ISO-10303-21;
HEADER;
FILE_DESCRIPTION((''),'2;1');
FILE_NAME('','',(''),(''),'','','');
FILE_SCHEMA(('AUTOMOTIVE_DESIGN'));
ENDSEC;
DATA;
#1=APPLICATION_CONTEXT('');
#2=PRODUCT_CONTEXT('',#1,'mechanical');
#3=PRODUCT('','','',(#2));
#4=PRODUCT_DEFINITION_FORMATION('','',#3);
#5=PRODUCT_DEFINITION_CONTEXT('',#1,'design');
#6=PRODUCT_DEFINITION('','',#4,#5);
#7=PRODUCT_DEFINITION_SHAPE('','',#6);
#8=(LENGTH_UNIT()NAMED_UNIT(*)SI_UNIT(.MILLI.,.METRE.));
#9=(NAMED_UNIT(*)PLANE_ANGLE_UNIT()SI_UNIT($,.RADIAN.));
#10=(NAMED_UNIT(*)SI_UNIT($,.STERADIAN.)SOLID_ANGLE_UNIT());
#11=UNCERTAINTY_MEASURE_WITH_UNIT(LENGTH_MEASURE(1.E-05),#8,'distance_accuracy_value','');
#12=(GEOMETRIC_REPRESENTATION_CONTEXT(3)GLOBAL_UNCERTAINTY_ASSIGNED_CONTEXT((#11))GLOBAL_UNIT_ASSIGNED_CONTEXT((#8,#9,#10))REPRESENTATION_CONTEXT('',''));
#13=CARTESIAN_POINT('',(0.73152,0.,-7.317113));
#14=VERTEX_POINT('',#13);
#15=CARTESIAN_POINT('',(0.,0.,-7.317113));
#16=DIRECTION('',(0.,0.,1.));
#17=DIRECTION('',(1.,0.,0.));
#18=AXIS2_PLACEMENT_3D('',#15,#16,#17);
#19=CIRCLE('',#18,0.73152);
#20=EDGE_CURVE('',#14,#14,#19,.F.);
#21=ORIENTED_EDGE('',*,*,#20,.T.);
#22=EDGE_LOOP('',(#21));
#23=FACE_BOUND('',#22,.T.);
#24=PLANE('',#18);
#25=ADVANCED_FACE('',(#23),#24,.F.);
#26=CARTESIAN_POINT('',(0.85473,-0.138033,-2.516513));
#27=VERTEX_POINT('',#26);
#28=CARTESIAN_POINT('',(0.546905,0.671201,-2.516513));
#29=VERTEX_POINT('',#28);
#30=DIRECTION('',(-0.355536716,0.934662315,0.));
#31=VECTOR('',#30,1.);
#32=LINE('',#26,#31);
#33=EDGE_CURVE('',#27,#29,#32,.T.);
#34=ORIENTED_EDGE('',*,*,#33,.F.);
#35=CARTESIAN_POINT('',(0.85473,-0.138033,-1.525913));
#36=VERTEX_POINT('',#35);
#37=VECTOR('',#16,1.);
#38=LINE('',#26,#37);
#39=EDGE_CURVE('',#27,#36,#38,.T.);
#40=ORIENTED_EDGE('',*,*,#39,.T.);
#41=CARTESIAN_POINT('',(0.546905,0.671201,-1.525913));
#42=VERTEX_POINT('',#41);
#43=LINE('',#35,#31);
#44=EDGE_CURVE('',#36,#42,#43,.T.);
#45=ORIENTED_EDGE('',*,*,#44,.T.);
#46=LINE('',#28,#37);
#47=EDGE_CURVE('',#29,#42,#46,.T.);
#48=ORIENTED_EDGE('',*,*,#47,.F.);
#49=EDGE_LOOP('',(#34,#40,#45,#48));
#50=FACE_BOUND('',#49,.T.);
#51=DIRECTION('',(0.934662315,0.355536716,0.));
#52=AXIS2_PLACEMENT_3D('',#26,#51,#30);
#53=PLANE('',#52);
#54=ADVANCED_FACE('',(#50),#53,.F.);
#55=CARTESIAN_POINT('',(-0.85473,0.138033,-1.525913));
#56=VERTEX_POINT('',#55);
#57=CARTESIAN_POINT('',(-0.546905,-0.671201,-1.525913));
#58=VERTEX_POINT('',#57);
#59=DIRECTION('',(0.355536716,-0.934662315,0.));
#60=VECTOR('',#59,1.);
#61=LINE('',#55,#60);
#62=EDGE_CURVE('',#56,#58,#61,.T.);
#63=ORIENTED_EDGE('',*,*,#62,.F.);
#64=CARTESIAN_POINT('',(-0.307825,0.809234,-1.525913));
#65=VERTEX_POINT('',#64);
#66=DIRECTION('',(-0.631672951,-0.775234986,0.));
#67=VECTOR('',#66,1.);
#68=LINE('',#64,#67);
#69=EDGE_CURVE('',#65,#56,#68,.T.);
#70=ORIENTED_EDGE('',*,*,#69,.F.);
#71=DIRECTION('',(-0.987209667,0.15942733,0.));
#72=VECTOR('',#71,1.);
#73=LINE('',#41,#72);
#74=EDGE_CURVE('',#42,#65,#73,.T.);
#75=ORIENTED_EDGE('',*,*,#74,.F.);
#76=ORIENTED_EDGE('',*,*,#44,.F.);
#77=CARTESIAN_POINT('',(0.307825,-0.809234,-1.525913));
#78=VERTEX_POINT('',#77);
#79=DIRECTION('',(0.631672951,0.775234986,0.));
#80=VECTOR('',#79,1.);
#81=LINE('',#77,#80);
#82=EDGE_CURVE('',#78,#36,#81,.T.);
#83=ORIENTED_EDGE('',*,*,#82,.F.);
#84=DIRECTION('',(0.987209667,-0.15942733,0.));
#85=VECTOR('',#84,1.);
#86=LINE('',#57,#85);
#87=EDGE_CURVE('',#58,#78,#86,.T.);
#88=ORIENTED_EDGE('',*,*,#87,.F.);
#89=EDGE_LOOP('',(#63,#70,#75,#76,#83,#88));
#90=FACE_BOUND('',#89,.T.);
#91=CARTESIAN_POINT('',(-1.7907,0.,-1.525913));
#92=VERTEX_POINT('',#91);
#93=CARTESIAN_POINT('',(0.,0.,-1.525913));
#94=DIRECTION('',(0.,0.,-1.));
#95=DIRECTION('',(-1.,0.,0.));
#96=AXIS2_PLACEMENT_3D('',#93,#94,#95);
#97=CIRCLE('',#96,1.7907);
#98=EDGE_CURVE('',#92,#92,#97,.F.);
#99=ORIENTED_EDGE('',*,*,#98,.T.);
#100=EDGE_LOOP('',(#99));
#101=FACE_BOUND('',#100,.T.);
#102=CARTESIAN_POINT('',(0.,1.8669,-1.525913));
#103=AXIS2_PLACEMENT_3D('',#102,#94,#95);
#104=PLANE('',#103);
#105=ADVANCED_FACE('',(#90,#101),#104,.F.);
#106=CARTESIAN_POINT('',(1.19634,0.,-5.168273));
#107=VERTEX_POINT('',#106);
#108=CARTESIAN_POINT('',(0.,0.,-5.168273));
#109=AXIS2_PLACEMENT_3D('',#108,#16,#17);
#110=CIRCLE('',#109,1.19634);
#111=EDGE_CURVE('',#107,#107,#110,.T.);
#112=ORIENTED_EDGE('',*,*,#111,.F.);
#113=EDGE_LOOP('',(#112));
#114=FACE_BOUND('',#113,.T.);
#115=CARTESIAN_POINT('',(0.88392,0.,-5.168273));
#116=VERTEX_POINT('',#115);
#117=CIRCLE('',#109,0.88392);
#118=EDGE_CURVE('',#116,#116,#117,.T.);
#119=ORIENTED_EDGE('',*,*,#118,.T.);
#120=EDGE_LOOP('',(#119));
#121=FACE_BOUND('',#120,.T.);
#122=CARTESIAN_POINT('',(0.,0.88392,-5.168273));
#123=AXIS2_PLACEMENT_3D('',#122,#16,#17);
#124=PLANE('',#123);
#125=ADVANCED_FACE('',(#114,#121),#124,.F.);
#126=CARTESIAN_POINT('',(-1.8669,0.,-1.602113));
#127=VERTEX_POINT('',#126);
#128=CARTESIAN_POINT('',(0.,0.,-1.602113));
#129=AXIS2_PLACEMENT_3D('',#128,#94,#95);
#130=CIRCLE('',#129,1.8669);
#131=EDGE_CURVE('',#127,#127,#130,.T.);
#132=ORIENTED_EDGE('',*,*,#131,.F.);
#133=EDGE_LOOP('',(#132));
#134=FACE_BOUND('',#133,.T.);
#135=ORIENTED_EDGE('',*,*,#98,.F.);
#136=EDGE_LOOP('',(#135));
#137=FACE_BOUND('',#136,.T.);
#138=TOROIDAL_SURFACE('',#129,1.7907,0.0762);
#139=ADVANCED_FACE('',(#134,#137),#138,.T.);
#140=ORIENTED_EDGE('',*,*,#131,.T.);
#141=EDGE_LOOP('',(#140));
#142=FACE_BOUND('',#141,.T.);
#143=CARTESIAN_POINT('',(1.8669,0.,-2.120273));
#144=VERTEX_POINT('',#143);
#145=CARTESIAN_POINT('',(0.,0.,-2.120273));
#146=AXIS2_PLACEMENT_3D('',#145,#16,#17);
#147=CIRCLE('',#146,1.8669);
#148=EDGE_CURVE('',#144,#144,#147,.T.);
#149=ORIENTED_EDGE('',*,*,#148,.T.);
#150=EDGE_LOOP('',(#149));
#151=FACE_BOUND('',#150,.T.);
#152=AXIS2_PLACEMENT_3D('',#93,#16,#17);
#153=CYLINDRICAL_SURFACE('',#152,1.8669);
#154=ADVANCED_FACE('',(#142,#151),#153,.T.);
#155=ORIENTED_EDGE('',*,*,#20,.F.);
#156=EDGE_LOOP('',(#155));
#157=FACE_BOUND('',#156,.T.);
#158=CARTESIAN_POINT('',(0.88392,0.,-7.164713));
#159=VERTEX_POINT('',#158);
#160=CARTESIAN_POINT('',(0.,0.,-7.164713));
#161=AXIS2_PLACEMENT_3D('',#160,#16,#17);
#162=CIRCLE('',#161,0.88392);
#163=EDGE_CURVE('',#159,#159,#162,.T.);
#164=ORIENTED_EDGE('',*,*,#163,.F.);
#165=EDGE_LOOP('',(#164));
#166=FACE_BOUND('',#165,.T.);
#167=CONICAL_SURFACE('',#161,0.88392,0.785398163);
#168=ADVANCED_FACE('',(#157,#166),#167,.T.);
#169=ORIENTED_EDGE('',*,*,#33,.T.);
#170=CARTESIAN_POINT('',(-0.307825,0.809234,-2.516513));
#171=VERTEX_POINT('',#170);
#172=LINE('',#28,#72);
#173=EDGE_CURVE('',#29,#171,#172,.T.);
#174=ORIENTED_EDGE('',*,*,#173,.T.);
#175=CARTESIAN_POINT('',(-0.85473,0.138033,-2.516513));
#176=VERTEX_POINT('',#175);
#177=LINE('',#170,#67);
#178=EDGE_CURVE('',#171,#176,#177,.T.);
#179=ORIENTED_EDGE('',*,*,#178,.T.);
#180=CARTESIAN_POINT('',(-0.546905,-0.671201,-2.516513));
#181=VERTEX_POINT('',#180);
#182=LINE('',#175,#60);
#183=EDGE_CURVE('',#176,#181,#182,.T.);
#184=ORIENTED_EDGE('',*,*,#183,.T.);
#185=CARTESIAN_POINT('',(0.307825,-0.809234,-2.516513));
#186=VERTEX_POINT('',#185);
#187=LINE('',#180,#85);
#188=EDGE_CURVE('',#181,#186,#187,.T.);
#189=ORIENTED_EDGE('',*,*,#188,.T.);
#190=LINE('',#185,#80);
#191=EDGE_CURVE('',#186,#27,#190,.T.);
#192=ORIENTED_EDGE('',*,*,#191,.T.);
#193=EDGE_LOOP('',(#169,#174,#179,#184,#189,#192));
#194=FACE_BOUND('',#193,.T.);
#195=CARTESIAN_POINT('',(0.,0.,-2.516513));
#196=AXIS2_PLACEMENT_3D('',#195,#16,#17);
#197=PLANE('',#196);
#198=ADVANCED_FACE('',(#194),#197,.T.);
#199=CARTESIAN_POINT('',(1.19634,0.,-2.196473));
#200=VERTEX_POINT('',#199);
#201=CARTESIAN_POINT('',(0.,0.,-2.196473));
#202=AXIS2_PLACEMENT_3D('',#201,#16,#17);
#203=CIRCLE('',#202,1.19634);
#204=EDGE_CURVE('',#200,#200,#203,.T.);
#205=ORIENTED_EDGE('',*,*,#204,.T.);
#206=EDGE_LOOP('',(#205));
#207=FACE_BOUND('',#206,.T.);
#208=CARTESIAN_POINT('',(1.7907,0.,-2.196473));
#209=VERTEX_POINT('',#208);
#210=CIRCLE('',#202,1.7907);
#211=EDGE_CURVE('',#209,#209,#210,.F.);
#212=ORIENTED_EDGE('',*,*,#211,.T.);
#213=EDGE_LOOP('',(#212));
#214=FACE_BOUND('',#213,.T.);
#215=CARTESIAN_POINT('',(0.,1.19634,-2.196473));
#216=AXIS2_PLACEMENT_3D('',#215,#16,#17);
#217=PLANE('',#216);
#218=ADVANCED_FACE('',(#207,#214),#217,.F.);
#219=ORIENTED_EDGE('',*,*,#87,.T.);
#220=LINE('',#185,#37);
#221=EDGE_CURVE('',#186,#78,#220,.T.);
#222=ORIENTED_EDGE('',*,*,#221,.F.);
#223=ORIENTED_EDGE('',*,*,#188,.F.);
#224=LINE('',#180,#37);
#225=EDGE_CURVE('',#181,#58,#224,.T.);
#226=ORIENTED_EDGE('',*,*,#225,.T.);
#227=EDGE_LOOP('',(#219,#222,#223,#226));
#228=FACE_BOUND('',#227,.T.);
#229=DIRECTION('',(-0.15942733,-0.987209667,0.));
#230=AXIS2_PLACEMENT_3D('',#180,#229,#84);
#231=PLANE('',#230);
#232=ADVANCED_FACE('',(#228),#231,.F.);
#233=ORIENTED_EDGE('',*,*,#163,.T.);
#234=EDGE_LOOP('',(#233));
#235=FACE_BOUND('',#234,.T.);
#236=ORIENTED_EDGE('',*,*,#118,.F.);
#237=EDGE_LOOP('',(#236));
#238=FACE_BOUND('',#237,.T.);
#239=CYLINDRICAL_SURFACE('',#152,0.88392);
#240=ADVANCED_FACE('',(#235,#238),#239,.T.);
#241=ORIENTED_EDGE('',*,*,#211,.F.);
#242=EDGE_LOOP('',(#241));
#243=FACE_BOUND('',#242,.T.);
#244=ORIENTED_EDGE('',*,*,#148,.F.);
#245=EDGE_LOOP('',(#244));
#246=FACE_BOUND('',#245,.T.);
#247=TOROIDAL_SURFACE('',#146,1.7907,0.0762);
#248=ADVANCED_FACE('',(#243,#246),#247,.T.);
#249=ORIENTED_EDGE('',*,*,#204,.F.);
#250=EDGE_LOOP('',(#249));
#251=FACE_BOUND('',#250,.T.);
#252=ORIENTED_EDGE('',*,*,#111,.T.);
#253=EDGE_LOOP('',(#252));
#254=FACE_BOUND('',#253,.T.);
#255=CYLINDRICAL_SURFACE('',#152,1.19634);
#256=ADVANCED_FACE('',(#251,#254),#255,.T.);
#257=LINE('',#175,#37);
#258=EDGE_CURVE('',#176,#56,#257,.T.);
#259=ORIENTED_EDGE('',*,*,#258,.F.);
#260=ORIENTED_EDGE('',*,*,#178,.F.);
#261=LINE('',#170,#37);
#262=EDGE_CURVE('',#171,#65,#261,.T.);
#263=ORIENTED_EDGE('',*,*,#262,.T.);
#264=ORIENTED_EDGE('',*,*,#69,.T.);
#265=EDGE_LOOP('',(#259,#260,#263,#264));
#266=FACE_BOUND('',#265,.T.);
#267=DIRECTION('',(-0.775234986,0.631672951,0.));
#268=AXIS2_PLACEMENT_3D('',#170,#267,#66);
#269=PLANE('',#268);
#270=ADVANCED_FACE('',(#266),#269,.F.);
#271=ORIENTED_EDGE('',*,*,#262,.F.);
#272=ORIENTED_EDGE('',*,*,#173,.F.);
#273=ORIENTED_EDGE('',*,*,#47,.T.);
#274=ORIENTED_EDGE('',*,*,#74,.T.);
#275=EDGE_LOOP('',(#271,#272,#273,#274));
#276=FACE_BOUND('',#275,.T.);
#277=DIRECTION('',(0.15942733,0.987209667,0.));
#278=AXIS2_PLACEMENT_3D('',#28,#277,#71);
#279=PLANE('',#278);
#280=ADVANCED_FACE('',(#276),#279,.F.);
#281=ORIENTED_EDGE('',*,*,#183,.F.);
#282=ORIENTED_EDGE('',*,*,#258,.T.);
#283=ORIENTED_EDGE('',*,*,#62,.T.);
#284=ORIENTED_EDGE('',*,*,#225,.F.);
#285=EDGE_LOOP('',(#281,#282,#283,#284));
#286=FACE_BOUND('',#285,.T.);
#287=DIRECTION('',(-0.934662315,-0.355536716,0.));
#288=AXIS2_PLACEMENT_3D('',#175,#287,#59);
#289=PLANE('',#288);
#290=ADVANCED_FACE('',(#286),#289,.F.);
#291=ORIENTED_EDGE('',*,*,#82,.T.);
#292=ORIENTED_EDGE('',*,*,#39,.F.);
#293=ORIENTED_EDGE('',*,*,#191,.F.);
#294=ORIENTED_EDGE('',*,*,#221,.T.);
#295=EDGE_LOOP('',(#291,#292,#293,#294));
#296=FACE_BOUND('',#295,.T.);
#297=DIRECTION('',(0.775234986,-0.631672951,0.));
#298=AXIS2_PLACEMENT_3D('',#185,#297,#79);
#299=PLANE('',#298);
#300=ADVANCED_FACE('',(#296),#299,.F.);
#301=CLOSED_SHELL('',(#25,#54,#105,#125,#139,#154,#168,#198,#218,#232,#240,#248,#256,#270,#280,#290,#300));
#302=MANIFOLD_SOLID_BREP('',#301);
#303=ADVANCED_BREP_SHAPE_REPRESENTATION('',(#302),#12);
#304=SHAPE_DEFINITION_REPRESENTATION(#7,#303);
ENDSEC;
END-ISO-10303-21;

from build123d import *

# Parameters (mm, degrees)
CUT_EXTRUDE1_DEPTH = 1.651
FILLET1_R          = 0.127
CHAMFER1_SIZE      = 0.254
SCALE1_SCALE       = 0.6


with BuildPart() as part:
    # Sketch1 → Revolve1 (revolve)
    with BuildSketch(Plane(origin=(0, 0, 0), x_dir=(0, 0, -1), z_dir=(1, 0, 0)), mode=Mode.PRIVATE) as revolve1_sk:
        Polygon((0, 0), (9.652, 0), (9.652, 1.4732), (6.0706, 1.4732), (6.0706, 1.9939), (1.1176, 1.9939), (1.1176, 3.1115), (0, 3.1115), align=None)
    revolve(revolve1_sk.sketch.rotate(Axis((0, 0, 0), (0, 0, -1)), 90), axis=Axis((0, 0, 0), (0, 0, -1)))

    # Sketch2 → Cut-Extrude1 (cut)
    with BuildSketch(Plane.XY):
        Polygon((-0.911507965, -1.118668866), (0.513041674, -1.348723487), (1.424549639, -0.23005462), (0.911507965, 1.118668866), (-0.513041674, 1.348723487), (-1.424549639, 0.23005462), align=None)
    extrude(amount=-CUT_EXTRUDE1_DEPTH, mode=Mode.SUBTRACT)

    # Fillet1
    fillet1_edges = [part.edges().sort_by_distance(p)[0] for p in [
        (-3.1115, 0, 0),
        (-3.1115, 0, -1.1176),
    ]]
    fillet(fillet1_edges, radius=FILLET1_R)

    # Chamfer1
    chamfer1_edges = [part.edges().sort_by_distance(p)[0] for p in [
        (-1.4732, 0, -9.652),
    ]]
    chamfer(chamfer1_edges, length=CHAMFER1_SIZE)


with BuildPart() as part_1:
    # Scale1: scaled about (0, 0, -3.814782306)
    add(part.part.scale(SCALE1_SCALE).moved(Location((0, 0, -1.525912922))))


solid = part_1.part
